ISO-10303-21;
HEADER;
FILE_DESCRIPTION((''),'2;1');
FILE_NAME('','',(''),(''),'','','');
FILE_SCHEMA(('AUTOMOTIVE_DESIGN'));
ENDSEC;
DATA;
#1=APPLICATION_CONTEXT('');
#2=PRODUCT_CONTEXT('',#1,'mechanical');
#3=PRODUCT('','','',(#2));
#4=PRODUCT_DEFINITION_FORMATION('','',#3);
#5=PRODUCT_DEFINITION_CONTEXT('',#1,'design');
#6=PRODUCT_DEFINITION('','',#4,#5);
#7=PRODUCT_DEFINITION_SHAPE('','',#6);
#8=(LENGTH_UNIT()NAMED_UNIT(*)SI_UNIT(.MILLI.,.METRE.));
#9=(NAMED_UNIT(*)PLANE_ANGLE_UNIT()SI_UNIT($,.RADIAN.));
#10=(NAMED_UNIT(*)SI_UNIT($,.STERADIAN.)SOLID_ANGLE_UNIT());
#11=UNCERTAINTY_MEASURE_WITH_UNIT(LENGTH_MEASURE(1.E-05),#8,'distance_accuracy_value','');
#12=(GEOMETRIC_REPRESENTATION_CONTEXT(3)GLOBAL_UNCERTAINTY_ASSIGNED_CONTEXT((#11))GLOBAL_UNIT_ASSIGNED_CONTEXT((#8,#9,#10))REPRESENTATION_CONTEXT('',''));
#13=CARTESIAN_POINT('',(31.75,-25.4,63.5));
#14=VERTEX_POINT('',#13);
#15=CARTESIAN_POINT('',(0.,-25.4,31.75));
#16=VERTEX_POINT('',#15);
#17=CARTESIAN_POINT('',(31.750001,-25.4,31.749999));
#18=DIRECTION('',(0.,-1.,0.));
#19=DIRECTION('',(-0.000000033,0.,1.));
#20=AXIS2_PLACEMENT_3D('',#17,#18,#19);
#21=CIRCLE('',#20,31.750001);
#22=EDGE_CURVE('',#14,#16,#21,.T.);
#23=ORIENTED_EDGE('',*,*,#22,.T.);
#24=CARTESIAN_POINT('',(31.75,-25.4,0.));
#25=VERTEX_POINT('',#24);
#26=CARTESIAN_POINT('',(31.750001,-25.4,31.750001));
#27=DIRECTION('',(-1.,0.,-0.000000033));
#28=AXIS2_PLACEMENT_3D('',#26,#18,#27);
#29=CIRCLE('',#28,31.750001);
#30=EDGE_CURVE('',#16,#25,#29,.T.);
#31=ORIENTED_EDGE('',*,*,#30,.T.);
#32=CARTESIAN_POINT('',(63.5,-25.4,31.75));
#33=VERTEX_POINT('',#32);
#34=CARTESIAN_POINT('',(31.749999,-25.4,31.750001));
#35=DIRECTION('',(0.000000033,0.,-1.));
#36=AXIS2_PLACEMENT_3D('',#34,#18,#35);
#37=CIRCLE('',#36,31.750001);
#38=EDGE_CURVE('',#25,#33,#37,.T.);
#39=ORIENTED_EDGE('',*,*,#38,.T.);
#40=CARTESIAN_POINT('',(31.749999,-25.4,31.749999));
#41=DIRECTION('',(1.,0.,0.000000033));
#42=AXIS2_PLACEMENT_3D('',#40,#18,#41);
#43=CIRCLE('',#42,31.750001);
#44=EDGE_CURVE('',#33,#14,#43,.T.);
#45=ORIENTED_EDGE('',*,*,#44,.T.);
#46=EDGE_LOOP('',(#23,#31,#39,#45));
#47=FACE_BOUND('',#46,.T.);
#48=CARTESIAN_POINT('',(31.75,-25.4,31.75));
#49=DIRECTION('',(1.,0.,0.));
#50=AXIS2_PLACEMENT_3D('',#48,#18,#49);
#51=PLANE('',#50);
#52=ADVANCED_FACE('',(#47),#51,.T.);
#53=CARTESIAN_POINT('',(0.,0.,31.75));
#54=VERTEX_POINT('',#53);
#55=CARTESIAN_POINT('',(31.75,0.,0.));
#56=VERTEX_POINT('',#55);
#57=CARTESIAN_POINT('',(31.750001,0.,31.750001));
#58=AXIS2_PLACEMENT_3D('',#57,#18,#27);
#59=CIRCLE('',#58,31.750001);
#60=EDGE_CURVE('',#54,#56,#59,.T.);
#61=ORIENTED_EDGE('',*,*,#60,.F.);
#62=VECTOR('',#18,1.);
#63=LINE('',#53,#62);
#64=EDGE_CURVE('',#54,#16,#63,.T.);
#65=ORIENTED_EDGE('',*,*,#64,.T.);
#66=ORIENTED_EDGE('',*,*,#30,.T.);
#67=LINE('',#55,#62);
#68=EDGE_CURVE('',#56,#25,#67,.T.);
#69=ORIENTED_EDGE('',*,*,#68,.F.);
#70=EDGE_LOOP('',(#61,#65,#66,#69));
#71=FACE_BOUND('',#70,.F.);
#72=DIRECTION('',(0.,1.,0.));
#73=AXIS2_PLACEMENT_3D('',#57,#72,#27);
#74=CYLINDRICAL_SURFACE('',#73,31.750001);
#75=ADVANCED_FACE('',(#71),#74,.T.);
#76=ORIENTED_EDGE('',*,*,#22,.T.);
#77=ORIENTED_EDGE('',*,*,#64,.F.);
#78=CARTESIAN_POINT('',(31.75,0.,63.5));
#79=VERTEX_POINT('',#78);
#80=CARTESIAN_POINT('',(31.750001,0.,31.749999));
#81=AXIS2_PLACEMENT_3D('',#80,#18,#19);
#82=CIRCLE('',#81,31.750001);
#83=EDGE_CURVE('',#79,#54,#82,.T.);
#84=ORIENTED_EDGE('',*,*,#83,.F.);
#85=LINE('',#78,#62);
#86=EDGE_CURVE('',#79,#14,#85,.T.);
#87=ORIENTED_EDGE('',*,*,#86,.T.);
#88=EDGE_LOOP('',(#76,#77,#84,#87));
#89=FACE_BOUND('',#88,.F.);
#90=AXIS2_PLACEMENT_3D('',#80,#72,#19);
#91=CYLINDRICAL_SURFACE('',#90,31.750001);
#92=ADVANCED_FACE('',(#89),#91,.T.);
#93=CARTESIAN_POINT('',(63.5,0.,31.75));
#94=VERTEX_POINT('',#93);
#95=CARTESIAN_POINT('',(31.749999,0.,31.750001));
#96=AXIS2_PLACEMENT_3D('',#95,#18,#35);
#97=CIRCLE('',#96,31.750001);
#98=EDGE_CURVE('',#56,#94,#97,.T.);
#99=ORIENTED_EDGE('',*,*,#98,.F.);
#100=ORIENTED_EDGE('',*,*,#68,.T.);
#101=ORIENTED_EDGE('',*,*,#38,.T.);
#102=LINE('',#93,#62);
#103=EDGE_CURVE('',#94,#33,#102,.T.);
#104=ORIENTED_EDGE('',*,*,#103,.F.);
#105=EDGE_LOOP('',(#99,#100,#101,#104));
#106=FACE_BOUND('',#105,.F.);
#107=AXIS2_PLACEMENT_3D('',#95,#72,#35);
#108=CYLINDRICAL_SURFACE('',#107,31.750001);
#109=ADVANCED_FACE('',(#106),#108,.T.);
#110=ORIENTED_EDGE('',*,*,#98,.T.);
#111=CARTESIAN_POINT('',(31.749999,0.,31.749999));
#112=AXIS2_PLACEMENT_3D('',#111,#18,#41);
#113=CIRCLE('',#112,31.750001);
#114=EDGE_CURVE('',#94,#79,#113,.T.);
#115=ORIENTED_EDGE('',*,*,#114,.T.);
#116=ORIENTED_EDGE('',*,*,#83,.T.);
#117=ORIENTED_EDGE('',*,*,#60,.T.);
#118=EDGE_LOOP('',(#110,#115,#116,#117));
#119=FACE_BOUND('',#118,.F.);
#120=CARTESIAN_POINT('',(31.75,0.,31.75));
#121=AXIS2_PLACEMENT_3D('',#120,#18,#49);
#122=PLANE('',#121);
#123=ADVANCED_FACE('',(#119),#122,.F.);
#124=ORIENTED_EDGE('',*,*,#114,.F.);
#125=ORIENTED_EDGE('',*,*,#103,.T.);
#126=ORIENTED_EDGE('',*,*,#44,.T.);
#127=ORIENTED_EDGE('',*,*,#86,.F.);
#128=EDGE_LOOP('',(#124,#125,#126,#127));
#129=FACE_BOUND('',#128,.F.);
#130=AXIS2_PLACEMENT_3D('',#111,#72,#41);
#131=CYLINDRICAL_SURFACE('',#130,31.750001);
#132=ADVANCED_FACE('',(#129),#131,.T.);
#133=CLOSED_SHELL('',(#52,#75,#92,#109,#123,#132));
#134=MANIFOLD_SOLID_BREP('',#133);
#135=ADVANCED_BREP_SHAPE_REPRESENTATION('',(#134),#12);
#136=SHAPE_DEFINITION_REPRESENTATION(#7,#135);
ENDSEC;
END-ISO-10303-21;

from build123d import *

# Parameters (mm, degrees)
F1_DEPTH = 25.4


with BuildPart() as f1:
    # F0 (on Front) → F1 (new body)
    with BuildSketch(Plane.XZ):
        with BuildLine():
            ThreePointArc((0, 31.75), (9.29936, 9.29936), (31.75, 0))
            ThreePointArc((31.75, 0), (54.20064, 9.29936), (63.5, 31.75))
            ThreePointArc((63.5, 31.75), (54.20064, 54.20064), (31.75, 63.5))
            ThreePointArc((31.75, 63.5), (9.29936, 54.20064), (0, 31.75))
        make_face()
    extrude(amount=F1_DEPTH)


solid = f1.part
